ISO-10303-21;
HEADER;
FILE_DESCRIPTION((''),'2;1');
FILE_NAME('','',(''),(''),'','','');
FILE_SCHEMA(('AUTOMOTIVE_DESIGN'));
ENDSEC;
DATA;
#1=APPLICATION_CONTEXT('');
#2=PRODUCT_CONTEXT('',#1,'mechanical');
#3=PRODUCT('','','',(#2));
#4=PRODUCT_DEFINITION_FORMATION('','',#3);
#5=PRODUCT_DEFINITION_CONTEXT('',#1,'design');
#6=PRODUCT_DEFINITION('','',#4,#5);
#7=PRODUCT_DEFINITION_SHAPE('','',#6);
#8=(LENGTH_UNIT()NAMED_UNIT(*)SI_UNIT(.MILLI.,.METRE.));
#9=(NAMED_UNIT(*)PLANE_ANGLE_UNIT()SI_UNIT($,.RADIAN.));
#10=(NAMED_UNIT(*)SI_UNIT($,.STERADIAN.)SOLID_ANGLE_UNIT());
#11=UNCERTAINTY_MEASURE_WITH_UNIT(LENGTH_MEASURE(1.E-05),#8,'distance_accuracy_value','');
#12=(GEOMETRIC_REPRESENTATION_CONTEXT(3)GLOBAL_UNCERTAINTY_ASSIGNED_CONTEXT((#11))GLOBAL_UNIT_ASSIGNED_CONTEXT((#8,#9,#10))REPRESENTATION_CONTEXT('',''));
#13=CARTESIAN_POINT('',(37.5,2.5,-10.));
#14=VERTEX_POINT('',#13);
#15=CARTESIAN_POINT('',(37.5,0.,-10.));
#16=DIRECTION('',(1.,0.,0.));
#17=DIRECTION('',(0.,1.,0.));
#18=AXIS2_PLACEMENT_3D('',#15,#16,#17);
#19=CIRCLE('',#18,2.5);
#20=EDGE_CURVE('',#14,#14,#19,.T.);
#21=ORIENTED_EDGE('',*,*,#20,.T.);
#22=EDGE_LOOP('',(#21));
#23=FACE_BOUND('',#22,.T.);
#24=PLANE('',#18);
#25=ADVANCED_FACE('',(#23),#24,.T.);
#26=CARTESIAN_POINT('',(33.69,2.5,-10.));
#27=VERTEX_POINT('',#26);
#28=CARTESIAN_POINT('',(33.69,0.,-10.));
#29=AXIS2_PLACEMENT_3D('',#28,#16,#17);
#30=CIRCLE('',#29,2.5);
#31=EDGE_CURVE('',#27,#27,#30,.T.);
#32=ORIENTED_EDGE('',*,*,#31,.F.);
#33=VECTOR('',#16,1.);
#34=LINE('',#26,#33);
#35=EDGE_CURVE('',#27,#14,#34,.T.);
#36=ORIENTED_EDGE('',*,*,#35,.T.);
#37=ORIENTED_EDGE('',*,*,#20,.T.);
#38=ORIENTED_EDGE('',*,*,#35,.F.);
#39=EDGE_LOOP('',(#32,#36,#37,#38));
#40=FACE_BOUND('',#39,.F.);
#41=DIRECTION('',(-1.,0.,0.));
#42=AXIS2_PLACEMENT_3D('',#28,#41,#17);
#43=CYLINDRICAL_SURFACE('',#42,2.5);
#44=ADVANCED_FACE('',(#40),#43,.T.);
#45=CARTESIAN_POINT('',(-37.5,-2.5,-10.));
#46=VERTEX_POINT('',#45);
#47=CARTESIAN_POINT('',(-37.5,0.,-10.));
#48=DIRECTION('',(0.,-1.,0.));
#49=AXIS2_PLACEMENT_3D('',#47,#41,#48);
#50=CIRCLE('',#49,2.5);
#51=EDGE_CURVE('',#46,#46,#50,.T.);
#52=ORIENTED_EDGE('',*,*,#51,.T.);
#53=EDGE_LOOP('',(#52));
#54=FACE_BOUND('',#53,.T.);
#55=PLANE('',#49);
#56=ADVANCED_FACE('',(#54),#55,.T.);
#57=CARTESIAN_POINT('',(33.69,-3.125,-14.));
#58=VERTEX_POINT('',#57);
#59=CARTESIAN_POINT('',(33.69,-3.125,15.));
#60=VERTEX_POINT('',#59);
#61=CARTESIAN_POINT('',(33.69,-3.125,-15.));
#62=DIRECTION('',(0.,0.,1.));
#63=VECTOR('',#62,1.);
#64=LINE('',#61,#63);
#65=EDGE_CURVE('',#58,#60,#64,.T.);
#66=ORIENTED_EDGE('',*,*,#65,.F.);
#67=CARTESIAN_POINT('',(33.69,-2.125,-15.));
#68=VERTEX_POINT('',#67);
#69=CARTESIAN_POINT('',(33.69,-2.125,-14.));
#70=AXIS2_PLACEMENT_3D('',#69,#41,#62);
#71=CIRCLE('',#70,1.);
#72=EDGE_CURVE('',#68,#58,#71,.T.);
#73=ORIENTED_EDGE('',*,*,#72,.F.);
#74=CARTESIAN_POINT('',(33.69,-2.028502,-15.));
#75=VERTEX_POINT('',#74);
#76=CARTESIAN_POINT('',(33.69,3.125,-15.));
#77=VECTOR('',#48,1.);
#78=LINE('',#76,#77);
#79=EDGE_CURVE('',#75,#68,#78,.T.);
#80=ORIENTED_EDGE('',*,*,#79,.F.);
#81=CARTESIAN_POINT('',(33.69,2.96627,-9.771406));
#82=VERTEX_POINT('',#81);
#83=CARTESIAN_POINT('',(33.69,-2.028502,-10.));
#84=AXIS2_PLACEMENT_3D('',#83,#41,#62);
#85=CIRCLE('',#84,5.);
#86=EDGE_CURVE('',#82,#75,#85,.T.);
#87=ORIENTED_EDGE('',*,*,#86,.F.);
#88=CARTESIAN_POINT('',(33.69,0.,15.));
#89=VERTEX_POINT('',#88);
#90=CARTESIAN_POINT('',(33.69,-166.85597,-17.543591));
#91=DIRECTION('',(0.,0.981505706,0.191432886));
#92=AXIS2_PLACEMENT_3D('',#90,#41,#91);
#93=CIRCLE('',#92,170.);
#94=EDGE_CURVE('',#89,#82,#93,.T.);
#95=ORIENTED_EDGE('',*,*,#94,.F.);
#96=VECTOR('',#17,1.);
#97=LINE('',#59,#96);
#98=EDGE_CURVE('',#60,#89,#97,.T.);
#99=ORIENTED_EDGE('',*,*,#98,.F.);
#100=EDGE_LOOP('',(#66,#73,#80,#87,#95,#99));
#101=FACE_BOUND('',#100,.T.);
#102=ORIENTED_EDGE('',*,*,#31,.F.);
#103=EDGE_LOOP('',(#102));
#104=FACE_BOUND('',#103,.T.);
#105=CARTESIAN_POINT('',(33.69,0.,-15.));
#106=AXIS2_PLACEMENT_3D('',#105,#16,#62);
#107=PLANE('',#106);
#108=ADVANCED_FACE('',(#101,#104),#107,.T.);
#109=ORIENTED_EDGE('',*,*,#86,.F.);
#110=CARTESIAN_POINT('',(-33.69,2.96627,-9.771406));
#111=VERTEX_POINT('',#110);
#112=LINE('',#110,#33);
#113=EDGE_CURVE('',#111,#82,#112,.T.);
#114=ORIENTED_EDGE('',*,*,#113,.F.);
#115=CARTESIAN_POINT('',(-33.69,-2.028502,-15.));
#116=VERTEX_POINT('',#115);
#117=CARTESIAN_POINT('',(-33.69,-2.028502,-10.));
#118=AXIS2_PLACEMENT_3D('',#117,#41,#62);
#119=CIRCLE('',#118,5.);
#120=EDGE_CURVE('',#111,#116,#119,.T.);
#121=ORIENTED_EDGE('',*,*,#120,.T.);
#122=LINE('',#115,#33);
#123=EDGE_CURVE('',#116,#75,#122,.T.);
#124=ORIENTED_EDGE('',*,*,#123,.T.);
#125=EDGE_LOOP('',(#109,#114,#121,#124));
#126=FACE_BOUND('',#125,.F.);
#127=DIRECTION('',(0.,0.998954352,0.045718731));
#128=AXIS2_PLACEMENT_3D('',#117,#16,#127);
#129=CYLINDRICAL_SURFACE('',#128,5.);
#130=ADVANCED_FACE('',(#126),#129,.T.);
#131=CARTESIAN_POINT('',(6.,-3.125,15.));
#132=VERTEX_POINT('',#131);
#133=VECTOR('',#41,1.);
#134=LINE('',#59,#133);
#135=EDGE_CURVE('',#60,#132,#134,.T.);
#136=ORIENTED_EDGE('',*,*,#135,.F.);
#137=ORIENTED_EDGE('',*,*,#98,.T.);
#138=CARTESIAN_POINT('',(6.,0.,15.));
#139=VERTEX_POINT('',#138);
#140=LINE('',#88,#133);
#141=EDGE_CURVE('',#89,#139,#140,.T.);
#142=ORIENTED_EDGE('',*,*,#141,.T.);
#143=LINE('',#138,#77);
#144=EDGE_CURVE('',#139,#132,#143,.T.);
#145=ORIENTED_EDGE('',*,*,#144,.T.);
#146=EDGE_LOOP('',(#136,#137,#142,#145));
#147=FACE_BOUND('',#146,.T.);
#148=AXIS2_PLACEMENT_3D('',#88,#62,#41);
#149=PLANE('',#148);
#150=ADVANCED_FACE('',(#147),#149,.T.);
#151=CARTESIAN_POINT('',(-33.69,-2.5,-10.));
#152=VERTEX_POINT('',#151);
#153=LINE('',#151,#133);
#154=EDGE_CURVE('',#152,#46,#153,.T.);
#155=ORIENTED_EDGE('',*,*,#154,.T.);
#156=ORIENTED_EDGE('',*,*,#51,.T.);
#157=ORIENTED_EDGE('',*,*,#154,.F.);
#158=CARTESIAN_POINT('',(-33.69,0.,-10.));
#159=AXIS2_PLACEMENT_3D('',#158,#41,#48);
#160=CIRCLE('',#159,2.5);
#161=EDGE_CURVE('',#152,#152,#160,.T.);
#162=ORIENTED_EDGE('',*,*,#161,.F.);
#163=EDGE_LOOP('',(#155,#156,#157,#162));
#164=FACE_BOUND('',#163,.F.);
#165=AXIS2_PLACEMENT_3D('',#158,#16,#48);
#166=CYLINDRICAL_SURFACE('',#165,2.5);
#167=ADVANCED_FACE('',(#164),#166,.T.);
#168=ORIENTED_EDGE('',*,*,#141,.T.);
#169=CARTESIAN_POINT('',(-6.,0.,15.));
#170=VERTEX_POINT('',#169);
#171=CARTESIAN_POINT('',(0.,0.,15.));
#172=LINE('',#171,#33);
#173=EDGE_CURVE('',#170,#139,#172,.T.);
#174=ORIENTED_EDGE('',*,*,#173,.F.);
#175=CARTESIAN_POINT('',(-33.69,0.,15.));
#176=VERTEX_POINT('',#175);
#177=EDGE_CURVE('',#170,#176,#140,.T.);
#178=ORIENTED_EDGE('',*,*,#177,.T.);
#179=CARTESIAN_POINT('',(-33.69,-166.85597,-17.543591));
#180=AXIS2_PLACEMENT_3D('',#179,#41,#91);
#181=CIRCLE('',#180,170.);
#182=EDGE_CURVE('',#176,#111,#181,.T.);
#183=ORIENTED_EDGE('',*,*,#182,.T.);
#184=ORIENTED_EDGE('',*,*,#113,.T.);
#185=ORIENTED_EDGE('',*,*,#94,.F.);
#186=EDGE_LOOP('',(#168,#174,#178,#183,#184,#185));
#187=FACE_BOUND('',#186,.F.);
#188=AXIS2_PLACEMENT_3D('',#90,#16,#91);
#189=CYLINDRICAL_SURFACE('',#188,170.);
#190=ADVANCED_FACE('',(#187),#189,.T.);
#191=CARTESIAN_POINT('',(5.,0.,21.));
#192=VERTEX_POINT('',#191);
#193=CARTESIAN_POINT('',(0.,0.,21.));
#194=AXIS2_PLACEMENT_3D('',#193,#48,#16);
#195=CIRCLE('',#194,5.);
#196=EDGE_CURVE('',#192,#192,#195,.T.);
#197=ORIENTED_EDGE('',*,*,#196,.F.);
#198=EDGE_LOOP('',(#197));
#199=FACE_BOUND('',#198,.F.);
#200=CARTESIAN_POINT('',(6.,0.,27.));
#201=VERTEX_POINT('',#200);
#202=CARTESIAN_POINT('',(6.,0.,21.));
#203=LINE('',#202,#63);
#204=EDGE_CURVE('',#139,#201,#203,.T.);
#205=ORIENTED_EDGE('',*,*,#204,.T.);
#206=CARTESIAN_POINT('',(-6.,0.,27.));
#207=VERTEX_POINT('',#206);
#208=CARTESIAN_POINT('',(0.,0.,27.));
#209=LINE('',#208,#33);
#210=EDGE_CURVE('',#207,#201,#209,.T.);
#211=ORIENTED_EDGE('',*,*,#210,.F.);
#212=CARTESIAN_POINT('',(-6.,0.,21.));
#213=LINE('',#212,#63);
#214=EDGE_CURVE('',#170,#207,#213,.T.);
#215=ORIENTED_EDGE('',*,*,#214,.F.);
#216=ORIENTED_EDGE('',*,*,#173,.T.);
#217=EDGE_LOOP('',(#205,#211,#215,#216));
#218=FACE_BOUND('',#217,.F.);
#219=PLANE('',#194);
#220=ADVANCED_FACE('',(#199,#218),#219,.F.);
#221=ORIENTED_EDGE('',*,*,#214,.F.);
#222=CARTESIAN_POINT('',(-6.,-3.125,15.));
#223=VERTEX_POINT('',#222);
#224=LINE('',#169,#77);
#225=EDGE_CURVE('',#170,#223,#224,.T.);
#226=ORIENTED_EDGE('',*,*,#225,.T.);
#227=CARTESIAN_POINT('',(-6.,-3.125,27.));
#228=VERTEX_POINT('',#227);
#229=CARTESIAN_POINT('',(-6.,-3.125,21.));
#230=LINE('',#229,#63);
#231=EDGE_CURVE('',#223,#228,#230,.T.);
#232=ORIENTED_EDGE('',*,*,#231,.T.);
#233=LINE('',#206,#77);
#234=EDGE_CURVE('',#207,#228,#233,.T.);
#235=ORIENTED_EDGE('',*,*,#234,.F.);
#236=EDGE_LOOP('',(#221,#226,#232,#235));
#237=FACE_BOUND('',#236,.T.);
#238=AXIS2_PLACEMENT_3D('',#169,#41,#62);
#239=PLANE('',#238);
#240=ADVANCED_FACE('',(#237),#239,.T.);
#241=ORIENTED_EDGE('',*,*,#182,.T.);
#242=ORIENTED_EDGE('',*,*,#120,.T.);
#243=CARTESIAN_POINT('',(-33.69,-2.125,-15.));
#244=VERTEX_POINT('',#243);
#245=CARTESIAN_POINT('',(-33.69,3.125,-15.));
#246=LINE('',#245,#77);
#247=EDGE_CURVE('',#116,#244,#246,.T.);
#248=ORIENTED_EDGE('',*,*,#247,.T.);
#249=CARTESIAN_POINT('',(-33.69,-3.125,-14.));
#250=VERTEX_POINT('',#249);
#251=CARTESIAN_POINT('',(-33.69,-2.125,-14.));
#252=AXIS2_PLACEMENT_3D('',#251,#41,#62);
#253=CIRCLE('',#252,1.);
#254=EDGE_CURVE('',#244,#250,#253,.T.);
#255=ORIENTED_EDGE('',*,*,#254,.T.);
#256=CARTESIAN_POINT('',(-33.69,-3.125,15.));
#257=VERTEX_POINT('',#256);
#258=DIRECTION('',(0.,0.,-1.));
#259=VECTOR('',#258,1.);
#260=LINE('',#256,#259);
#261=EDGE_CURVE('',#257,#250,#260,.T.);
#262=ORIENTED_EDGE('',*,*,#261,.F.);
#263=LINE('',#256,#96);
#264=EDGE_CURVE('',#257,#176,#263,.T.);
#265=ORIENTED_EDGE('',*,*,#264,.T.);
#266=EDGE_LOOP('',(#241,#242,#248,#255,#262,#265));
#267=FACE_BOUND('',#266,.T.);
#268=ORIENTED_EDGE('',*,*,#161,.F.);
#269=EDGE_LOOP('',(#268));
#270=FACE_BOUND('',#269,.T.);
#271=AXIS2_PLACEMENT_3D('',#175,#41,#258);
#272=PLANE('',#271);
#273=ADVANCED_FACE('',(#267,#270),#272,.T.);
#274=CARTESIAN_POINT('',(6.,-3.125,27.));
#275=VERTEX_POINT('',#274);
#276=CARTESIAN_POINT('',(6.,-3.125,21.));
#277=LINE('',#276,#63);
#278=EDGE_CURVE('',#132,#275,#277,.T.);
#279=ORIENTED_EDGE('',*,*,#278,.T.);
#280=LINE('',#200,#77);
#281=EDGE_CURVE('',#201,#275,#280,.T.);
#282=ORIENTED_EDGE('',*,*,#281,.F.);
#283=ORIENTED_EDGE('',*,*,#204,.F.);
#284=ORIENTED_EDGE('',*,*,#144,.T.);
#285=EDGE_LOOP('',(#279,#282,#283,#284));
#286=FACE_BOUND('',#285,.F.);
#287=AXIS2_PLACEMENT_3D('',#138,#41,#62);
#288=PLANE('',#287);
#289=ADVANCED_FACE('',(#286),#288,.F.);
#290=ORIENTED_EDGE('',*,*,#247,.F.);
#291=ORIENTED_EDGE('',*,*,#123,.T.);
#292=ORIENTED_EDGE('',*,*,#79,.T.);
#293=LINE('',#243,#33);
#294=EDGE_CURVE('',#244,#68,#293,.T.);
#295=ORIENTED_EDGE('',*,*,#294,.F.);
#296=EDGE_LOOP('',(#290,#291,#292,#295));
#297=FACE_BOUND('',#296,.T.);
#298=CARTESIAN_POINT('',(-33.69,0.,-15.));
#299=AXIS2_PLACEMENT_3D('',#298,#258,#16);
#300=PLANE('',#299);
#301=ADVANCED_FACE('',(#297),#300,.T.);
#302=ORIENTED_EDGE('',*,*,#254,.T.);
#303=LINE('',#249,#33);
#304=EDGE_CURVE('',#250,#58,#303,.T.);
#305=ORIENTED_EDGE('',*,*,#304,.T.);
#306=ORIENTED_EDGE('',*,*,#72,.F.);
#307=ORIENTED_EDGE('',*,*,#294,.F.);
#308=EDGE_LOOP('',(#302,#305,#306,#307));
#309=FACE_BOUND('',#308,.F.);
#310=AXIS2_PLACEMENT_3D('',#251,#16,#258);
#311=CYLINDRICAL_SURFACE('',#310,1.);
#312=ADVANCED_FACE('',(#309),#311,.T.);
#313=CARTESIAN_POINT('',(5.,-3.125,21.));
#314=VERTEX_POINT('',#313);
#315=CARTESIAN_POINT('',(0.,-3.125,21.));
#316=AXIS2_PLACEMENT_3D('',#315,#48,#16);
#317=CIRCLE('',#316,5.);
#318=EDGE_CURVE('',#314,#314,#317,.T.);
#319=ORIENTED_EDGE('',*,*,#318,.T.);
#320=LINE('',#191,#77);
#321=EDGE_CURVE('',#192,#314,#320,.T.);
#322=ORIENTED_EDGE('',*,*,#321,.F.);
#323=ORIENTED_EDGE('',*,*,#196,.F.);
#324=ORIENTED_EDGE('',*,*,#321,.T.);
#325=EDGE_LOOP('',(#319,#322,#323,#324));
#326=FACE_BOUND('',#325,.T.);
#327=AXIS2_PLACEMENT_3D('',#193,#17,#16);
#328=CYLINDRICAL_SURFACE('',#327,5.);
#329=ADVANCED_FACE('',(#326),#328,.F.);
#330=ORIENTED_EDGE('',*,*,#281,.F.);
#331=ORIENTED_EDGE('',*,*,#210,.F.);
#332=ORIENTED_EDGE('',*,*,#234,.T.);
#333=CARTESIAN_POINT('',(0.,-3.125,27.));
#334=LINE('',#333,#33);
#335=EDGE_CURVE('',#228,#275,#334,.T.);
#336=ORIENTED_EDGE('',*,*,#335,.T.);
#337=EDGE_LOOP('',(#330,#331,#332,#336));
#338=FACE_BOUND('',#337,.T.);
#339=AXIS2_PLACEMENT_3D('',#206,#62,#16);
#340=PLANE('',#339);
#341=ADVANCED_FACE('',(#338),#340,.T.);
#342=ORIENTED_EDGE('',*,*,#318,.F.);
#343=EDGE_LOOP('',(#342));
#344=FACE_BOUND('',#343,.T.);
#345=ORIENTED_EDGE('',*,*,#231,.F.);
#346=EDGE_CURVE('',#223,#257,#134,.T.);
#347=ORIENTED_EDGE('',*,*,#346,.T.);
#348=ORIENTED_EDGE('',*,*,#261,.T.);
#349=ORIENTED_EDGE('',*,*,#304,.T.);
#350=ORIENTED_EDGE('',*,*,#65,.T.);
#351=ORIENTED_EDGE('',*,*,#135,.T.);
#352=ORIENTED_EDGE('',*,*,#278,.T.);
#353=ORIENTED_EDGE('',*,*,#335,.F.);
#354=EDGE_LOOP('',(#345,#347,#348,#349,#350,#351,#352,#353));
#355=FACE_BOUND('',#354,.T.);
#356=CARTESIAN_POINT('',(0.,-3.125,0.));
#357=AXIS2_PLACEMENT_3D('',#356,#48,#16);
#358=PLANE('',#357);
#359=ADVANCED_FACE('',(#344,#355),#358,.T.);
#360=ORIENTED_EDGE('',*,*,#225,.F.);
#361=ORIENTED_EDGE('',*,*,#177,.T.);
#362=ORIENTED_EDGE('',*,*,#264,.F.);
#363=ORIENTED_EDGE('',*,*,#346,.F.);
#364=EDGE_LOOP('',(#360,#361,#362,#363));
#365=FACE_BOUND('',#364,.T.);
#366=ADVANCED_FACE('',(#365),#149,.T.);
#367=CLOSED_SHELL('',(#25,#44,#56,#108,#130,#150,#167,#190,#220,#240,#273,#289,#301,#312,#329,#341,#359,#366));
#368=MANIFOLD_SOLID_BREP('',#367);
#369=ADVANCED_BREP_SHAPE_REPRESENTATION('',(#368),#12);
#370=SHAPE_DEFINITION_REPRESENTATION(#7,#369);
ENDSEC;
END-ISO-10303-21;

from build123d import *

# Parameters (mm, degrees)
F2_DEPTH = 3.125
F1_W     = 12
F1_H     = 12
F1_R     = 5
F3_DEPTH = 3.125
F4_R     = 2.5
F6_DEPTH = 3.81
F5_R     = 2.5
F7_DEPTH = 3.81
F8_DEPTH = 67.38
F9_R     = 5
F10_R    = 1


with BuildPart() as f2:
    # F1 (on Front) → F2 (new body, symmetric)
    with BuildSketch(Plane.XZ):
        Polygon((-6, 15), (-33.69, 15), (-33.69, -15), (33.69, -15), (33.69, 15), (6, 15), align=None)
    extrude(amount=F2_DEPTH, both=True)

    # F1 (on Front) → F3 (join, through all)
    with BuildSketch(Plane.XZ):
        with Locations((0, 21)):
            Rectangle(F1_W, F1_H)
        with Locations((0, 21)):
            Circle(F1_R, mode=Mode.SUBTRACT)
    extrude(amount=F3_DEPTH)

    # F4 (on face) → F6 (join)
    with BuildSketch(Plane.YZ.offset(33.69)):
        with Locations((0, -10)):
            Circle(F4_R)
    extrude(amount=F6_DEPTH)

    # F5 (on face) → F7 (join)
    with BuildSketch(Plane(origin=(-33.69, 0, 0), x_dir=(0, -1, 0), z_dir=(-1, 0, 0))):
        with Locations((0, -10)):
            Circle(F5_R)
    extrude(amount=F7_DEPTH)

    # F4 (on face) → F8 (cut, through all)
    with BuildSketch(Plane.YZ.offset(33.69)):
        with BuildLine():
            ThreePointArc((0, 15), (2.2291595567, 0.0694437038), (3.125, -15))
            Line((3.125, -15), (3.125, 15))
            Line((3.125, 15), (0, 15))
        make_face()
    extrude(amount=-F8_DEPTH, mode=Mode.SUBTRACT)

    # F9
    f9_edges = [f2.edges().sort_by_distance(p)[0] for p in [
        (0, 3.125, -15),
    ]]
    fillet(f9_edges, radius=F9_R)

    # F10
    f10_edges = [f2.edges().sort_by_distance(p)[0] for p in [
        (0, -3.125, -15),
    ]]
    fillet(f10_edges, radius=F10_R)


solid = f2.part
